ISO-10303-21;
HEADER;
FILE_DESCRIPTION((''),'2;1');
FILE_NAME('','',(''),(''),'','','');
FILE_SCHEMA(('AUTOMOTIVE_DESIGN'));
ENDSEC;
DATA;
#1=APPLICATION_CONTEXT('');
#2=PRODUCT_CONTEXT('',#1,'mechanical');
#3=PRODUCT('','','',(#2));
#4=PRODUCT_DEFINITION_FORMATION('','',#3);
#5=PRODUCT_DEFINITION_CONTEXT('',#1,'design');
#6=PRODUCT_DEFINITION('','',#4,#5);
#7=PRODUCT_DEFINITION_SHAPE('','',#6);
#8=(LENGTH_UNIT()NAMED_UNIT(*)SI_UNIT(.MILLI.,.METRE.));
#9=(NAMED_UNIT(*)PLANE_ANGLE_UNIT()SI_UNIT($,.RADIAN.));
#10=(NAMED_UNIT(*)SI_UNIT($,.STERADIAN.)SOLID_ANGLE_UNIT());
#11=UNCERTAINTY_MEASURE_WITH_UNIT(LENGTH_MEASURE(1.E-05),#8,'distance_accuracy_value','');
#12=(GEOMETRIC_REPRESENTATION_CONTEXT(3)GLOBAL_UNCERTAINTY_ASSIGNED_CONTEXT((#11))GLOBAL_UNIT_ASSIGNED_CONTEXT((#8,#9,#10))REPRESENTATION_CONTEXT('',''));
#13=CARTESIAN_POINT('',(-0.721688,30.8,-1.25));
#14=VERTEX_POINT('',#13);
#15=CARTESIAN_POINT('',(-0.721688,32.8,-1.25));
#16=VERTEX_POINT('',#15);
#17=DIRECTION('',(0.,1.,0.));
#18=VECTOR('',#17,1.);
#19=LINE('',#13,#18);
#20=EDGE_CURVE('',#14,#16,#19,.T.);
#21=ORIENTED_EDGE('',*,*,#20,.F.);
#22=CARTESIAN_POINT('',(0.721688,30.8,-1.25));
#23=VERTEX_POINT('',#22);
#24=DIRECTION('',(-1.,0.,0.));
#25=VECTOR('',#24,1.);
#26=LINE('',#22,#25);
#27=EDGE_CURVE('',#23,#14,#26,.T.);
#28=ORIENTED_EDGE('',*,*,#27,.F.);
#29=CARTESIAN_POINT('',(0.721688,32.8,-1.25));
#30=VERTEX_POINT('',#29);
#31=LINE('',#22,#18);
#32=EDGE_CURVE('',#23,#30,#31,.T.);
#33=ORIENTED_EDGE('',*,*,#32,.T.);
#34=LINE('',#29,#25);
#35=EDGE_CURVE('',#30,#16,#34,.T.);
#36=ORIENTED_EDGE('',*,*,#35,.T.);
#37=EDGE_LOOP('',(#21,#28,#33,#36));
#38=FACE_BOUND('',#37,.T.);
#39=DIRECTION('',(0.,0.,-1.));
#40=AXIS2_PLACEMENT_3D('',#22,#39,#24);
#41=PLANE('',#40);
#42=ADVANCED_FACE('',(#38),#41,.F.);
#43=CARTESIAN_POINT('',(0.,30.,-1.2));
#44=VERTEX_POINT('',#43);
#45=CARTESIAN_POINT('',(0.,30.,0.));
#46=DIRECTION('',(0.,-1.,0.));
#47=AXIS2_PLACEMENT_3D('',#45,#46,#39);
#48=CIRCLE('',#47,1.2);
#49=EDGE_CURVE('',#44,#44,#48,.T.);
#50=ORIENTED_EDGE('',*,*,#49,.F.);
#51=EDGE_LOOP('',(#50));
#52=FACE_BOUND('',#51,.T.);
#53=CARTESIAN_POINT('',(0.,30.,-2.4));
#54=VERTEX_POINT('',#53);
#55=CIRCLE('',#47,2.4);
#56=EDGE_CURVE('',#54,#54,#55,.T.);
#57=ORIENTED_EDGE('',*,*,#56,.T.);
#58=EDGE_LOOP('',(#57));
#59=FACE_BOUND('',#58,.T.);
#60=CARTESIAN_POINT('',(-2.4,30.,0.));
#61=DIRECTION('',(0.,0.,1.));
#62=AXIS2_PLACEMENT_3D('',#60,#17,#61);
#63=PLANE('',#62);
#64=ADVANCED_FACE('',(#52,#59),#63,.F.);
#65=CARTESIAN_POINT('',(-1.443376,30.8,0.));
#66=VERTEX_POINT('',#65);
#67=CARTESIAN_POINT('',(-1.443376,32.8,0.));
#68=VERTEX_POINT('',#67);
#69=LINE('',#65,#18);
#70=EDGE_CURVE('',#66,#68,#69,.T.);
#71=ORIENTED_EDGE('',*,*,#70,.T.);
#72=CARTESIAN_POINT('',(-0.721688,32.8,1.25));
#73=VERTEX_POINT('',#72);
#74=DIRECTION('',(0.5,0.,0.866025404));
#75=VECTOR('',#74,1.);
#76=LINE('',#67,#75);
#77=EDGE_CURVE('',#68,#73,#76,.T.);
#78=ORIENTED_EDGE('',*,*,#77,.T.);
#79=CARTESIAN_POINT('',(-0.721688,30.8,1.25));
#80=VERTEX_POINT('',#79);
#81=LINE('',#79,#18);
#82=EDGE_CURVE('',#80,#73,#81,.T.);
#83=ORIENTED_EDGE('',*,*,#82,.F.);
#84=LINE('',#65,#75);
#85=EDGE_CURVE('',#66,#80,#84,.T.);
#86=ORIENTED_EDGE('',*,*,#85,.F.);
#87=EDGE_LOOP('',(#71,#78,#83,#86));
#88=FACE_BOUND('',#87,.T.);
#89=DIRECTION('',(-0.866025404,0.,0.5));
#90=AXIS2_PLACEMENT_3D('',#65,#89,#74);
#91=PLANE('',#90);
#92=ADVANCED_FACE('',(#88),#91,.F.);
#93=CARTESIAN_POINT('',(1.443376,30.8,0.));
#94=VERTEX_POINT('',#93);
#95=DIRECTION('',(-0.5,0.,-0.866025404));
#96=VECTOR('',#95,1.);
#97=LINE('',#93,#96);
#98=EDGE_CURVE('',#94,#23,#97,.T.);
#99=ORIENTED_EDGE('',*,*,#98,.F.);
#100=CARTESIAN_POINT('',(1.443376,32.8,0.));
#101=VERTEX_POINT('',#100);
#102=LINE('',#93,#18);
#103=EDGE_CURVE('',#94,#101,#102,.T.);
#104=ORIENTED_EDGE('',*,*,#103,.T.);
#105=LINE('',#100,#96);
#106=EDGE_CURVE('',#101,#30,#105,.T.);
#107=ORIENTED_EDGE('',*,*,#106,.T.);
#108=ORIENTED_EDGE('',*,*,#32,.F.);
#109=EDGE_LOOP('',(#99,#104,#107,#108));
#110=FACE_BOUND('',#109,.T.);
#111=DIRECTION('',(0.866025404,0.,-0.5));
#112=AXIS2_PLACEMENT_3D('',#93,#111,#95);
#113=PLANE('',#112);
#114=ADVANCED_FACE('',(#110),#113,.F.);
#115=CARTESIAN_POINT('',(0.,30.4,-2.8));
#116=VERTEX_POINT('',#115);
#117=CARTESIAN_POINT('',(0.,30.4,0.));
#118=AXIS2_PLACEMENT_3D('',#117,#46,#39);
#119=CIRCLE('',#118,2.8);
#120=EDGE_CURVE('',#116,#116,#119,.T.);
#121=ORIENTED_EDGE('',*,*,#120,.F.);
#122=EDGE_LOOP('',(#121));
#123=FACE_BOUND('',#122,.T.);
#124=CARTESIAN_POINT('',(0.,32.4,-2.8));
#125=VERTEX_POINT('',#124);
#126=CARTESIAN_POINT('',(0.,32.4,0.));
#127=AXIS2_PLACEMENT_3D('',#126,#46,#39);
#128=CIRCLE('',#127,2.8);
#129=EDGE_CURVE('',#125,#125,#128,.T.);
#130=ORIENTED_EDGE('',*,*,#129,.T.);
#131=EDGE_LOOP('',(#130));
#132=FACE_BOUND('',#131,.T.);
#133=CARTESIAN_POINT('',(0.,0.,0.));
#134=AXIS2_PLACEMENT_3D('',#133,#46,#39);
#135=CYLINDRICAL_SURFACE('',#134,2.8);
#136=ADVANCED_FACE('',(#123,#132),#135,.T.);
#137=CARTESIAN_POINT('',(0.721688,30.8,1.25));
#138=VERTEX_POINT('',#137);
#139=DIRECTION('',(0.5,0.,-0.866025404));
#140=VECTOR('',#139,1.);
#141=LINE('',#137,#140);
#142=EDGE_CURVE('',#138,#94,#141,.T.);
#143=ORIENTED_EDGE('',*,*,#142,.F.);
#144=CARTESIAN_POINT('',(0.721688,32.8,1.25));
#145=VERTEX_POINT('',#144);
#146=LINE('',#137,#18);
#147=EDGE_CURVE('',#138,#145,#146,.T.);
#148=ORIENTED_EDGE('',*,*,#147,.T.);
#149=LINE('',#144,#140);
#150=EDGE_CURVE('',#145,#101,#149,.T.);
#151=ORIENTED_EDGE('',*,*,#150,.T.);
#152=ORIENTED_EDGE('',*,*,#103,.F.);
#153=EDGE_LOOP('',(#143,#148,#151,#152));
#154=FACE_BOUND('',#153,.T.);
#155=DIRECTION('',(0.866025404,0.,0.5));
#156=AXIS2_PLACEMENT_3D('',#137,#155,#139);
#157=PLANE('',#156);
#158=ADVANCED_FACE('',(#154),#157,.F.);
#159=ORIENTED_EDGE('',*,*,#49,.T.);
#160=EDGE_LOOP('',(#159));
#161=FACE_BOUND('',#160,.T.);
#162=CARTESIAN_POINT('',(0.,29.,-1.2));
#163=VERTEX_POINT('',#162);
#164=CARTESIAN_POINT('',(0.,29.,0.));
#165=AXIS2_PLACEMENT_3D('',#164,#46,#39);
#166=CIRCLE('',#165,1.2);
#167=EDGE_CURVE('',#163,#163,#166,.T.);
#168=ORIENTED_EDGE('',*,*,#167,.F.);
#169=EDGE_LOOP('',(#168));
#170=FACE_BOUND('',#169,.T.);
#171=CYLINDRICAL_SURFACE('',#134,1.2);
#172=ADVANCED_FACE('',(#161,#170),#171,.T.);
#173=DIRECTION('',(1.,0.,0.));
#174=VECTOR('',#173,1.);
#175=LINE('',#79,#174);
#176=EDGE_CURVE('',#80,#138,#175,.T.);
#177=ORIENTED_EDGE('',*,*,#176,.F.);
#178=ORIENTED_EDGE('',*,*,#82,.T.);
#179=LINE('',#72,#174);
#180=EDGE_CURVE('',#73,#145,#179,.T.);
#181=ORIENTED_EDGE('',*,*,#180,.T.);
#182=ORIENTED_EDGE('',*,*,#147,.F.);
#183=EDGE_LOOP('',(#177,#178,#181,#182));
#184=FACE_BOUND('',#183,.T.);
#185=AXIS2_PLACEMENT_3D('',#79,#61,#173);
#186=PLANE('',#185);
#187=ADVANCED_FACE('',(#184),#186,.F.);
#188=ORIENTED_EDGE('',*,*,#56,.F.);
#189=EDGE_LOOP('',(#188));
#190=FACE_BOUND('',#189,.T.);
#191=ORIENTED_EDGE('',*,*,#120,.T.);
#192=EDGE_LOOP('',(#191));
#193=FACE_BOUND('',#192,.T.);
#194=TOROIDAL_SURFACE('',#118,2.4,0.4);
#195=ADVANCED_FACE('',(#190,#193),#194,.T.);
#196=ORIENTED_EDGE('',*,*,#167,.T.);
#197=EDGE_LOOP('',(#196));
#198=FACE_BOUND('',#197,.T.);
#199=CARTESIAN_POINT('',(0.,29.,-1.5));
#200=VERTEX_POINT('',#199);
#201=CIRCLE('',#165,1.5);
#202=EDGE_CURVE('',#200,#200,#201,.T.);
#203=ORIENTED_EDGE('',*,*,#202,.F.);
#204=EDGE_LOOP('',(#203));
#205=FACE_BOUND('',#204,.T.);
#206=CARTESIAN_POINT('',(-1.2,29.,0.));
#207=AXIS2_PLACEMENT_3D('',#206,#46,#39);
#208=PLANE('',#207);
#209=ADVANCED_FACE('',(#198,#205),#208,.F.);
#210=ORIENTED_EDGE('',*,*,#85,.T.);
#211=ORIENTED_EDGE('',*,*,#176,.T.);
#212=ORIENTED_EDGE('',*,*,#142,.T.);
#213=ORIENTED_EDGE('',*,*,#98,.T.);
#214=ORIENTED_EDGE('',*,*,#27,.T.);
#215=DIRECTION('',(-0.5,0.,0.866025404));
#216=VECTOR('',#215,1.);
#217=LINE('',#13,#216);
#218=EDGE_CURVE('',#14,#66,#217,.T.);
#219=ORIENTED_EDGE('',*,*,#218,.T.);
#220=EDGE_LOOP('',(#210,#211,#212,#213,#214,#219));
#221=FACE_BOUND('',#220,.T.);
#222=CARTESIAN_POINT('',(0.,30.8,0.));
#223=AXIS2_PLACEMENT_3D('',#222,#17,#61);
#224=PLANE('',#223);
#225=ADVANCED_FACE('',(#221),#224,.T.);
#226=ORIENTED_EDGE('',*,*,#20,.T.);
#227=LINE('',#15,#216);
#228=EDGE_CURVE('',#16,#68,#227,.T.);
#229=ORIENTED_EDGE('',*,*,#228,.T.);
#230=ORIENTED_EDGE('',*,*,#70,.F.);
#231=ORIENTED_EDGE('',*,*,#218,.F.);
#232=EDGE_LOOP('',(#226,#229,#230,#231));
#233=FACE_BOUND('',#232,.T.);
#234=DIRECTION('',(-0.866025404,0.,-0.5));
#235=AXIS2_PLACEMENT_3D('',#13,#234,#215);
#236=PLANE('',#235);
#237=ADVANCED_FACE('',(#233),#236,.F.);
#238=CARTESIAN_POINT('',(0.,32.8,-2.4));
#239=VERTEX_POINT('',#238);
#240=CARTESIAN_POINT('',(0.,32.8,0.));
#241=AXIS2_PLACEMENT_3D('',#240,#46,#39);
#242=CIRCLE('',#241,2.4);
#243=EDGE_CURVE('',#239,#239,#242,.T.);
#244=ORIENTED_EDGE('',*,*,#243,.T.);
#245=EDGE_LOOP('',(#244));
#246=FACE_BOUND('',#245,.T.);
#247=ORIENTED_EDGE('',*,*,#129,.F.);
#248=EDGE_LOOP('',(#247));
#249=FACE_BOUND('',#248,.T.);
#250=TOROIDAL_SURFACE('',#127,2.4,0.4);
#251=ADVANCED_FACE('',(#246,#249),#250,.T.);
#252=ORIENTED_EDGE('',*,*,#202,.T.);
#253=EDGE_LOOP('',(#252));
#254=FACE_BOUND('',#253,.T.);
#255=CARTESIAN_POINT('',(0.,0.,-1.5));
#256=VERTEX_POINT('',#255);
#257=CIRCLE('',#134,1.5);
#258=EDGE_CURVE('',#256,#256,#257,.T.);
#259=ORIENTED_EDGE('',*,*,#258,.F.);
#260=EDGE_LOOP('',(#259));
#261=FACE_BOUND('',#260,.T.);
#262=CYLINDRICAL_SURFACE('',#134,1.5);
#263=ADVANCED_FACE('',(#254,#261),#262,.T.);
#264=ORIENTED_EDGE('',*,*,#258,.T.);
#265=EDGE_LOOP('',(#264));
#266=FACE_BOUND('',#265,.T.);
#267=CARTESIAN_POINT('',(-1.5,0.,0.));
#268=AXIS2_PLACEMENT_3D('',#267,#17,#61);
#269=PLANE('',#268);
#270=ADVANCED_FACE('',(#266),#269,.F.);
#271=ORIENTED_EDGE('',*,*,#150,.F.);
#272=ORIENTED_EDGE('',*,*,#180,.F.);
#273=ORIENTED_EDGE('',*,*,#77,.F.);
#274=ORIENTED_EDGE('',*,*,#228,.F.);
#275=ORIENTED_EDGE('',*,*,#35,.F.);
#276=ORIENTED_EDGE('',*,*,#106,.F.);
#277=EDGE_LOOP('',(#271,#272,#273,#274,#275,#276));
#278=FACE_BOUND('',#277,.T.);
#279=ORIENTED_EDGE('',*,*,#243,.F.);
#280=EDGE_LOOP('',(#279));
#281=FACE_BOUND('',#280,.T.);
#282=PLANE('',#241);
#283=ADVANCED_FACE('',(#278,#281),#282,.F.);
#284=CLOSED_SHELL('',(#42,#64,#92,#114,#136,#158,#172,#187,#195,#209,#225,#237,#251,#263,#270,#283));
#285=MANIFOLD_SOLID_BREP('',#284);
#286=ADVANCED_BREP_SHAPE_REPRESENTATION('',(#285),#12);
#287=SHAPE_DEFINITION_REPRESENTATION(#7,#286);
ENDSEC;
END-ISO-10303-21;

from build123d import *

# Parameters (mm, degrees)
CUT_EXTRUDE_1_DEPTH = 2


with BuildPart() as part:
    # 草图1 → 旋转1 (revolve)
    with BuildSketch(Plane.XY):
        with BuildLine():
            Line((0, 32.8), (-2.4, 32.8))
            ThreePointArc((-2.4, 32.8), (-2.682842712, 32.682842712), (-2.8, 32.4))
            Line((-2.8, 32.4), (-2.8, 30.4))
            ThreePointArc((-2.8, 30.4), (-2.682842712, 30.117157288), (-2.4, 30))
            Line((-2.4, 30), (-1.2, 30))
            Line((-1.2, 30), (-1.2, 29))
            Line((-1.2, 29), (-1.5, 29))
            Line((-1.5, 29), (-1.5, 0))
            Line((-1.5, 0), (0, 0))
            Line((0, 0), (0, 32.8))
        make_face()
    revolve(axis=Axis((0, 0, 0), (0, 1, 0)))

    # 草图2 → 切除-拉伸1 (cut)
    with BuildSketch(Plane(origin=(0, 32.8, 0), x_dir=(1, 0, 0), z_dir=(0, 1, 0))):
        Polygon((-0.721687836, 1.25), (-1.443375673, 0), (-0.721687836, -1.25), (0.721687836, -1.25), (1.443375673, 0), (0.721687836, 1.25), align=None)
    extrude(amount=-CUT_EXTRUDE_1_DEPTH, mode=Mode.SUBTRACT)


solid = part.part
